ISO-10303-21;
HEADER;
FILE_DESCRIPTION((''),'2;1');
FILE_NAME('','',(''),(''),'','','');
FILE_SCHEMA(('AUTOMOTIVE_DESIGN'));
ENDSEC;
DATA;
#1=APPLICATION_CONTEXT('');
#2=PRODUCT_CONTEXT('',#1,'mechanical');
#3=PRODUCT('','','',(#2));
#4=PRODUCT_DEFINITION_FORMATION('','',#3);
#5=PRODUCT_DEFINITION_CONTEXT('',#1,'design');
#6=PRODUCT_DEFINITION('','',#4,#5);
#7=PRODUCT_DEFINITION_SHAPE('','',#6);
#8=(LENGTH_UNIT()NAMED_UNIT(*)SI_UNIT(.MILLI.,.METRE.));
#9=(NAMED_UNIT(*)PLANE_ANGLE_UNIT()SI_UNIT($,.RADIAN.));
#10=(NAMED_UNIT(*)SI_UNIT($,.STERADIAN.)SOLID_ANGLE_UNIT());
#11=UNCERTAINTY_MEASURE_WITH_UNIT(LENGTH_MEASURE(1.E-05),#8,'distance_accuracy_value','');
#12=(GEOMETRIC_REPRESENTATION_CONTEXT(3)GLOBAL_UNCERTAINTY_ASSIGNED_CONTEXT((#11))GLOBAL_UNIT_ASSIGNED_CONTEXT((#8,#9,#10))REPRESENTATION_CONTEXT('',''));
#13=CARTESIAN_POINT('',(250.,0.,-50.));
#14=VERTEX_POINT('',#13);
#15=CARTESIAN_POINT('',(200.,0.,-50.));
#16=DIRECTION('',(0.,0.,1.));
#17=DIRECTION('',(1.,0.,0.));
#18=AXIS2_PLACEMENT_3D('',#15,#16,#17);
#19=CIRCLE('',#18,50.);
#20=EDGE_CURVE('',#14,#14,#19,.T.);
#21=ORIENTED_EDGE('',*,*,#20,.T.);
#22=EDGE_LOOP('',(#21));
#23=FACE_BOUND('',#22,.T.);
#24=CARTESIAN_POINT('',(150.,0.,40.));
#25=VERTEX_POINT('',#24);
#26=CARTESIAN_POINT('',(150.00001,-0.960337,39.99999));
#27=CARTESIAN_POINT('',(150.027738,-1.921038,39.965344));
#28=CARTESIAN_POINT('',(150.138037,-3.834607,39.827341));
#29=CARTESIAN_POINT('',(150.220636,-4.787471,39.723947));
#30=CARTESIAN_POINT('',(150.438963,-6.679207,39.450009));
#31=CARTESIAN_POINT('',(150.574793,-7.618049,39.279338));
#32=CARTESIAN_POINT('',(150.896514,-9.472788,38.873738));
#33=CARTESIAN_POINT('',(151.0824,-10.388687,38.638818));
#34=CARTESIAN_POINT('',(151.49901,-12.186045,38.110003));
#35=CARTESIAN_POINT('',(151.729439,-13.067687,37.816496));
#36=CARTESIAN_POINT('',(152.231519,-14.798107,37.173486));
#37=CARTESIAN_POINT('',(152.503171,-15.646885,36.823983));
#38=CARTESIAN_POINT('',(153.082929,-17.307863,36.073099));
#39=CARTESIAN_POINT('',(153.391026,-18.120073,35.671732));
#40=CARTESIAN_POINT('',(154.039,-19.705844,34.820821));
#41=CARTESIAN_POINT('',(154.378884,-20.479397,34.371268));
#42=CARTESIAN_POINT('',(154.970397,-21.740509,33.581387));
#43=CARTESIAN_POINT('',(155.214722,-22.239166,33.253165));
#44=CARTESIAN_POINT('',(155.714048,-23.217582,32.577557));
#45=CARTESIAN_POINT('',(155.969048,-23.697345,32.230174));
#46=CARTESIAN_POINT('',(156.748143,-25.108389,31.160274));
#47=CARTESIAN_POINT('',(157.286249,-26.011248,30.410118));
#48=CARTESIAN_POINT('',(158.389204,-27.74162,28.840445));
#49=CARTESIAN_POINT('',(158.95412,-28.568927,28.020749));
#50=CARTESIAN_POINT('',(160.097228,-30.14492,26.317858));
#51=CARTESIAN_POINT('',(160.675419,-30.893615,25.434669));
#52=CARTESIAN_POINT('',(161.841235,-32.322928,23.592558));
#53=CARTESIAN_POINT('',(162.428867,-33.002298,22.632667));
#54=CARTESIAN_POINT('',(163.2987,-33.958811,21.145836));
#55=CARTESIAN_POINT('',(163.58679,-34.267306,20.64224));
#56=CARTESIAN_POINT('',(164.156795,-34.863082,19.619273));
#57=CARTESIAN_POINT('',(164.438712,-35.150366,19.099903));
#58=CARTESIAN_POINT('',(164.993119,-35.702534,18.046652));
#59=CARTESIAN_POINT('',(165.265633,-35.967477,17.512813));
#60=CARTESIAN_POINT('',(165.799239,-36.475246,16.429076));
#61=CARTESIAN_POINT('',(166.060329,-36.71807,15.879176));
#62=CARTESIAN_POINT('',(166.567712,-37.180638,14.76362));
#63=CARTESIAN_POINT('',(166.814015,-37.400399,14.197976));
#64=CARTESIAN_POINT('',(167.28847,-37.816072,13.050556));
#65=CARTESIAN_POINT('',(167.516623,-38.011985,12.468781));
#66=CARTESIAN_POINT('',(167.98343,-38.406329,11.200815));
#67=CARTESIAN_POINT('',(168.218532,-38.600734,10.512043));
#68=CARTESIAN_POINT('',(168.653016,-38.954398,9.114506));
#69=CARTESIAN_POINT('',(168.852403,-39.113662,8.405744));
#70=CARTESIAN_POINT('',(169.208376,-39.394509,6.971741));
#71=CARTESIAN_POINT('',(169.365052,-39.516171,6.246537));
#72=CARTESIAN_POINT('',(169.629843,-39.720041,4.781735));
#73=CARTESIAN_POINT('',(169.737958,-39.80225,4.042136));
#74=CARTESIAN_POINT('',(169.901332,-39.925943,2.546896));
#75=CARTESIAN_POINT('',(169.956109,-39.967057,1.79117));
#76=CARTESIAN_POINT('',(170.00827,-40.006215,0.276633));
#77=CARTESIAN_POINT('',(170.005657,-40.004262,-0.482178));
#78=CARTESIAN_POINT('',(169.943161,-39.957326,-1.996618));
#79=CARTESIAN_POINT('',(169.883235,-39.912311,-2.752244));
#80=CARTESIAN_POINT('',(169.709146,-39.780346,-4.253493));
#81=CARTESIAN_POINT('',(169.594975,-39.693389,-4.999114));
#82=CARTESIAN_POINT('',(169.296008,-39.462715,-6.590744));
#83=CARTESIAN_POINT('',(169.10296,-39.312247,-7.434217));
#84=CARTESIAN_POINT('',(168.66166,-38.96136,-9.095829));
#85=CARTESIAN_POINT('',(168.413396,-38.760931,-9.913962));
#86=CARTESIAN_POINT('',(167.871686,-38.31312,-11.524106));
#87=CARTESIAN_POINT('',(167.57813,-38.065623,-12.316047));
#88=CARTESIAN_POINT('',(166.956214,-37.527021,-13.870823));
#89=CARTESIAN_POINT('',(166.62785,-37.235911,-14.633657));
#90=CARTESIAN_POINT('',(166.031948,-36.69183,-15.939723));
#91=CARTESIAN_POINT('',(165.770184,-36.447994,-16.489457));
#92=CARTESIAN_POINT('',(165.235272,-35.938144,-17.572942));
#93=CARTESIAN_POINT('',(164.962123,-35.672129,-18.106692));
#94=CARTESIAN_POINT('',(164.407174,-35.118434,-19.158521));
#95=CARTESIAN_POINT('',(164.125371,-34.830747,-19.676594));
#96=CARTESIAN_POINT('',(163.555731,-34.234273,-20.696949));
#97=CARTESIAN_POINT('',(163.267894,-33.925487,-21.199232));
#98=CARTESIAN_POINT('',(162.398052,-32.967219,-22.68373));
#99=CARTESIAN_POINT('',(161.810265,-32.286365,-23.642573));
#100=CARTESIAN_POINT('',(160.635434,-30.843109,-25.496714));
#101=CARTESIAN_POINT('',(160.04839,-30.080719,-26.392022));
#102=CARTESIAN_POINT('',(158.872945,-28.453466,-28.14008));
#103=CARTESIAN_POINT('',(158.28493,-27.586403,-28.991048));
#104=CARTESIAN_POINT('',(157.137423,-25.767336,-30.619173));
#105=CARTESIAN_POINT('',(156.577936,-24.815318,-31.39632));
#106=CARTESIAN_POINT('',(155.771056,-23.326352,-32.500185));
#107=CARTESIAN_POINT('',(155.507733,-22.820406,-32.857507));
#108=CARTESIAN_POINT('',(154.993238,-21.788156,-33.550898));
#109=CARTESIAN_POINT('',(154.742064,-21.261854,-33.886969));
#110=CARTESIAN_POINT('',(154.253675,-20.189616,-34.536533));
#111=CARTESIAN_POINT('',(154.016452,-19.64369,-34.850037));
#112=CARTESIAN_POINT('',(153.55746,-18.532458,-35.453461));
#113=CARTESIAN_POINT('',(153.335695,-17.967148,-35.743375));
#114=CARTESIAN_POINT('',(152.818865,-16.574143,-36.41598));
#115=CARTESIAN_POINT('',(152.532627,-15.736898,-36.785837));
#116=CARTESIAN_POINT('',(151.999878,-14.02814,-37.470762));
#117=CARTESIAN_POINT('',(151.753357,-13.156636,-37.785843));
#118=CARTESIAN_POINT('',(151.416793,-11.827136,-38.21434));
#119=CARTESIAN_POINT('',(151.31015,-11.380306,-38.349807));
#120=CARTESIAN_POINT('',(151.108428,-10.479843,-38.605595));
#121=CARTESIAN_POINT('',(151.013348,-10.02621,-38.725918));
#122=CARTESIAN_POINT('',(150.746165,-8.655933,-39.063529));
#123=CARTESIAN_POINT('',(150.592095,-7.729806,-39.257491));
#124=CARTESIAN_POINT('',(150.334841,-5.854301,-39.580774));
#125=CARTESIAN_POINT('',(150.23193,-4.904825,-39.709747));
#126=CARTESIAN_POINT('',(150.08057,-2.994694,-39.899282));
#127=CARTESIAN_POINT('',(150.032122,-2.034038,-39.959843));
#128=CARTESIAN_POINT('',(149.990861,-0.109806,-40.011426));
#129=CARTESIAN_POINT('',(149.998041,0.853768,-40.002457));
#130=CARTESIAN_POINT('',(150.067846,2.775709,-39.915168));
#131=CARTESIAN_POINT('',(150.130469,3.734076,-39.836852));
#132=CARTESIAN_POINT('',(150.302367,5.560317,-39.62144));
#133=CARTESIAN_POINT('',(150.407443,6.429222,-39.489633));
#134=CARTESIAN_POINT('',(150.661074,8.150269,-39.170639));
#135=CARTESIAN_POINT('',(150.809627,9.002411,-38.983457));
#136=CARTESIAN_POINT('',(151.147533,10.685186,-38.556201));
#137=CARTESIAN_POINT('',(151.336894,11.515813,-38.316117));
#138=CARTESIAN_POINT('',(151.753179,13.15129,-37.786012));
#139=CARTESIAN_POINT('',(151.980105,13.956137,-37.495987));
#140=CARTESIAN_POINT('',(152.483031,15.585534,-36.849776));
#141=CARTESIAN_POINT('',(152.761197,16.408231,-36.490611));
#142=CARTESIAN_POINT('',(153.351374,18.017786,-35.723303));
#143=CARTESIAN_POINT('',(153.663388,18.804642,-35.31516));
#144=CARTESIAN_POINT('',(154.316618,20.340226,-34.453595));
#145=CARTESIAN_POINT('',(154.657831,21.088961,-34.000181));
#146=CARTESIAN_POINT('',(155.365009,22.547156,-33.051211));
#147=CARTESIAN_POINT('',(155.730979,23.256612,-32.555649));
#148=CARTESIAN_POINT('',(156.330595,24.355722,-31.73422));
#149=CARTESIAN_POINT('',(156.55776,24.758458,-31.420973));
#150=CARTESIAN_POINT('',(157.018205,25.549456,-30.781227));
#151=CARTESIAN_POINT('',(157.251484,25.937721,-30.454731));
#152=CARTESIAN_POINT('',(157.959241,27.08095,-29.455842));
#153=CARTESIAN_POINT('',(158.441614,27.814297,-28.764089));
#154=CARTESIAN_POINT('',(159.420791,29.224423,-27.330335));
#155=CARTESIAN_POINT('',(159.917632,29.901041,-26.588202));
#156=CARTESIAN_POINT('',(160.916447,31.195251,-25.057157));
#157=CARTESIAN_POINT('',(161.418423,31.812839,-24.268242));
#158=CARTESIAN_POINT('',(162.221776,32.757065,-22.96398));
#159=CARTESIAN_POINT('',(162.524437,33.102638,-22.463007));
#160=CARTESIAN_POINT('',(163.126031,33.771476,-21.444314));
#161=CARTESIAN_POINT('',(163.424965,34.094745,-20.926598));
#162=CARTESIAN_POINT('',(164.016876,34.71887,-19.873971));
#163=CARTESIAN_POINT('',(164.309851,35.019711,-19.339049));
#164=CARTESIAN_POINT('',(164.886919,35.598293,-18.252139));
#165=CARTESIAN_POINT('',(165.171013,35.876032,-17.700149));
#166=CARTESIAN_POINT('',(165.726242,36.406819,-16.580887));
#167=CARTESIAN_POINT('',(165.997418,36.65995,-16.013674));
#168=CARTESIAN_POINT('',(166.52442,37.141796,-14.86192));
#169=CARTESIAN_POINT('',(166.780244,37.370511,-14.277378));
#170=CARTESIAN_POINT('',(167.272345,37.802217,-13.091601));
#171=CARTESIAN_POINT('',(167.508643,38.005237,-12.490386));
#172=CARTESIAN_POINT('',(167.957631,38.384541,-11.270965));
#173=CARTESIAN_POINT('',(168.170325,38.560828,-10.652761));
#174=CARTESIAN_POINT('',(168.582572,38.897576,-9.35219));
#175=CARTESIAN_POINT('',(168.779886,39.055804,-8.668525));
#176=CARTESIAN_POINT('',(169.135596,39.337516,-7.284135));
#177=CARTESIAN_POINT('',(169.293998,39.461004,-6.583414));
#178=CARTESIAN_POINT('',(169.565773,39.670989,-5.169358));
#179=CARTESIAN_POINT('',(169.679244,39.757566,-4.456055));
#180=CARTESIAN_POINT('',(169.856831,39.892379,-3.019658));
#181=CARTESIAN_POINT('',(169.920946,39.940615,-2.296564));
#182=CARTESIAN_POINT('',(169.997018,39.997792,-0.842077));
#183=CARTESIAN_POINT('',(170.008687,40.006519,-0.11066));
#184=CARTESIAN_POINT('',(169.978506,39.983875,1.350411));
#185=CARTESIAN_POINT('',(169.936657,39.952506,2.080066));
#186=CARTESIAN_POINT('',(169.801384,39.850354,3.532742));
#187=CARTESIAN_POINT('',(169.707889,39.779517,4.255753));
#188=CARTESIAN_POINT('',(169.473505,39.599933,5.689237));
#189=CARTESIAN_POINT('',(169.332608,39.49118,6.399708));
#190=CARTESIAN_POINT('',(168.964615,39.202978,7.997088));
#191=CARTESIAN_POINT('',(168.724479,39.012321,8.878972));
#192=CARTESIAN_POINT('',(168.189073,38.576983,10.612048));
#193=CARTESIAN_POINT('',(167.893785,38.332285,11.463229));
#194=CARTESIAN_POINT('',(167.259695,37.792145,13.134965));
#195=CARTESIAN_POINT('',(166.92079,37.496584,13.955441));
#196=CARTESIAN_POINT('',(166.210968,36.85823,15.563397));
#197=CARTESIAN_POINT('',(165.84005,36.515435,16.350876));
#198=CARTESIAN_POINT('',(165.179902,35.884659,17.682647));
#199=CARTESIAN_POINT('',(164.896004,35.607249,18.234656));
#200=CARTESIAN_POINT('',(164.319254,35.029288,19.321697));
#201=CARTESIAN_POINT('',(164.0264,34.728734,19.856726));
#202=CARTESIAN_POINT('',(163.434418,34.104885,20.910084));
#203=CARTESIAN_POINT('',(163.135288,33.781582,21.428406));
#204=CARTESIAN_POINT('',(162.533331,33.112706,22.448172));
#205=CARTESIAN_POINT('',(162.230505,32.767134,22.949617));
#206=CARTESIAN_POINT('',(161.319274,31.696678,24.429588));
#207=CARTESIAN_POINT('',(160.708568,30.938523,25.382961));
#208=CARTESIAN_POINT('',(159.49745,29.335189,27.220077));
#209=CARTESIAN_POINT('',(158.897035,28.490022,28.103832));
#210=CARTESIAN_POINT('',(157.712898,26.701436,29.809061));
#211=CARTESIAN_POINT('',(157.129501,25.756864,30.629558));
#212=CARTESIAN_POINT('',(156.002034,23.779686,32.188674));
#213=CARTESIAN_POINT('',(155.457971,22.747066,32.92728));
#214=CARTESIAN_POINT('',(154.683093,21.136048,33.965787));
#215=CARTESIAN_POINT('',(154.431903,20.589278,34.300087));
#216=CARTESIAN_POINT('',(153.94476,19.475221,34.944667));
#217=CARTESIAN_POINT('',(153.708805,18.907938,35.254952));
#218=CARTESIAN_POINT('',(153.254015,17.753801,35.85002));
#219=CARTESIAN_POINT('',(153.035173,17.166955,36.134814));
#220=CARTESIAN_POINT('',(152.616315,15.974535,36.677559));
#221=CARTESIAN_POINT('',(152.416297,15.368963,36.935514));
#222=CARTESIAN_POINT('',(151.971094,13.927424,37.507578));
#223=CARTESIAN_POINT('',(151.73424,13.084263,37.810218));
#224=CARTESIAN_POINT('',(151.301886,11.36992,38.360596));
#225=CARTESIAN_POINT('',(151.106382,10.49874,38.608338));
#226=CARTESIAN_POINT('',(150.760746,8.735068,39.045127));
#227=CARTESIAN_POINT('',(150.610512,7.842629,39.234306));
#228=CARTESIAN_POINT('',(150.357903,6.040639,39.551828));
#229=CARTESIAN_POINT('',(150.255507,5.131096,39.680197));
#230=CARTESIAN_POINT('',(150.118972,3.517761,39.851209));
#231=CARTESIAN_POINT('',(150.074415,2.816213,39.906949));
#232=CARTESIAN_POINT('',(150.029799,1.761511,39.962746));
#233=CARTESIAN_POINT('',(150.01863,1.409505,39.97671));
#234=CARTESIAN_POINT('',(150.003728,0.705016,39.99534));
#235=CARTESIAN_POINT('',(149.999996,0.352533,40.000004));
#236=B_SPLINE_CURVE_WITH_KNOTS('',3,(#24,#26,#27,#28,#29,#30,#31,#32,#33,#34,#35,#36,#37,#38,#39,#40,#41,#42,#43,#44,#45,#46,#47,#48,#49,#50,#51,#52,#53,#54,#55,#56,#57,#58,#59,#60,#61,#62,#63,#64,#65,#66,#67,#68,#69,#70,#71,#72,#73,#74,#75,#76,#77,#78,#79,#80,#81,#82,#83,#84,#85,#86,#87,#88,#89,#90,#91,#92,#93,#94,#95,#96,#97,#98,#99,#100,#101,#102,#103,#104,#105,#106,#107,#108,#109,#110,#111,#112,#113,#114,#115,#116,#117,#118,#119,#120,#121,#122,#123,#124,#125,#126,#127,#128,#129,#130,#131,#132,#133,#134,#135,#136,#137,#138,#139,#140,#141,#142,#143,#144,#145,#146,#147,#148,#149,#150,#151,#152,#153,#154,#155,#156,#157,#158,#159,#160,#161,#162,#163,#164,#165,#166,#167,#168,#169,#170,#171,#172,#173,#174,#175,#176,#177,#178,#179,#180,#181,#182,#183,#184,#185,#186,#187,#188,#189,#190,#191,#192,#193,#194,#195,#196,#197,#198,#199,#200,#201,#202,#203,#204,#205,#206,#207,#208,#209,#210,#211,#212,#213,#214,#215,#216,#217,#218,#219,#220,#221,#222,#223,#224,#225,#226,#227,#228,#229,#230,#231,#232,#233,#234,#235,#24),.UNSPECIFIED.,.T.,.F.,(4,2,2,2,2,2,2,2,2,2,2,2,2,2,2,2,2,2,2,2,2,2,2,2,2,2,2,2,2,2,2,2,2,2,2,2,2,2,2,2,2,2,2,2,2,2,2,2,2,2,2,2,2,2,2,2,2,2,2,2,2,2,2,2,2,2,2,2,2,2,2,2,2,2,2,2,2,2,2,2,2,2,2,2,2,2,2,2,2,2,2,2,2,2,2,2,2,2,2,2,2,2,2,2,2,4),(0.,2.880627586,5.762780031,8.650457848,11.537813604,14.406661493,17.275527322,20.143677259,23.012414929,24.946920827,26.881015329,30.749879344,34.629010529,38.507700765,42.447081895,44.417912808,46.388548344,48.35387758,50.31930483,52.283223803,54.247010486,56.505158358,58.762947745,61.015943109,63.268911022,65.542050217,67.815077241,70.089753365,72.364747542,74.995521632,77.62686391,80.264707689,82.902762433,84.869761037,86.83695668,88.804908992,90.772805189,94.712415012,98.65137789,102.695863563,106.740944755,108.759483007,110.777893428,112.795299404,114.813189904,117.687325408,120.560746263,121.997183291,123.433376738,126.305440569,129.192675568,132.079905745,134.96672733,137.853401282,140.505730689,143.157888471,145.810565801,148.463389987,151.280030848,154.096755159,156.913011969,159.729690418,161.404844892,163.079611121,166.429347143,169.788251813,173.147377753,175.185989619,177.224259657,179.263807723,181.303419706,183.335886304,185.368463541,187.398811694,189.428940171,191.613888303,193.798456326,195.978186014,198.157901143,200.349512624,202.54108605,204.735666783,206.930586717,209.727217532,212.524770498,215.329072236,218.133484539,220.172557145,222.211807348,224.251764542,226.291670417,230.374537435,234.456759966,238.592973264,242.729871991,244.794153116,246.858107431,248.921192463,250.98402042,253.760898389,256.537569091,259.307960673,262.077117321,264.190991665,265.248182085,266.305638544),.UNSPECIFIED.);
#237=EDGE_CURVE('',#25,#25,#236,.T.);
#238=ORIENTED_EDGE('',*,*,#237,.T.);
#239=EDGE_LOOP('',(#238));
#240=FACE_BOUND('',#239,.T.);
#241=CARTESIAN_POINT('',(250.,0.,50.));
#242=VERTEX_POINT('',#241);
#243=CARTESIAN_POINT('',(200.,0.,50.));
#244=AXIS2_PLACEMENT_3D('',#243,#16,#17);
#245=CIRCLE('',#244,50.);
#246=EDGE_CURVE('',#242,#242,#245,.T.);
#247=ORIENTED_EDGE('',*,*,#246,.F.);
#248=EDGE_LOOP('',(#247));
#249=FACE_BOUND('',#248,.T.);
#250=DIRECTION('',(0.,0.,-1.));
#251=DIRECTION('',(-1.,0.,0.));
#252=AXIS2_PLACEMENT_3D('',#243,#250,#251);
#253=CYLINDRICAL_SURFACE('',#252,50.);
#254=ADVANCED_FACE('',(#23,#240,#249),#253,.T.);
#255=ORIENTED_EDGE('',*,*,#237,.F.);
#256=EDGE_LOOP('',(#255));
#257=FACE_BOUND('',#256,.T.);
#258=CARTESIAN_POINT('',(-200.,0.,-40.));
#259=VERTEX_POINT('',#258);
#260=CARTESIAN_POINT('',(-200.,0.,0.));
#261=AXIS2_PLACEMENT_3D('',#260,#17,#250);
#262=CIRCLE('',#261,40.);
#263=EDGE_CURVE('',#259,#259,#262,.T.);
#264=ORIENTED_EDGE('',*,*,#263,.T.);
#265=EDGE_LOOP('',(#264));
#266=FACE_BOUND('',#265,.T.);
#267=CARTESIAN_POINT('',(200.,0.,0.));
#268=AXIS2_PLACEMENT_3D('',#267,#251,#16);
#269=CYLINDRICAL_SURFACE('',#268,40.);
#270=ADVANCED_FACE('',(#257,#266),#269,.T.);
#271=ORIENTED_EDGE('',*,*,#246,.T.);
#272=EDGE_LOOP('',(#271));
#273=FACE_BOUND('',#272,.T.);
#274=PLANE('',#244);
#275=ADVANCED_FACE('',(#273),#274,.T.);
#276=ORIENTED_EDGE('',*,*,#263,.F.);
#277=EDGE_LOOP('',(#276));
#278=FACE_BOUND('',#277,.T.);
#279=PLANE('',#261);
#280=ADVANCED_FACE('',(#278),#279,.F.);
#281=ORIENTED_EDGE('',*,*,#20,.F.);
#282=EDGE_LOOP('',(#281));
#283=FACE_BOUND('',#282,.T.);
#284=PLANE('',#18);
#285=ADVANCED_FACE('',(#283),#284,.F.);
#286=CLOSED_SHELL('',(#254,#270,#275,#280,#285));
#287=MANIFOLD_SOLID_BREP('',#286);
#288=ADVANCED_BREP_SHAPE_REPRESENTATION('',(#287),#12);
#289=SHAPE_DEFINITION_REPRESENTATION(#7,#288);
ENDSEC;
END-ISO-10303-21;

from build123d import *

# Parameters (mm, degrees)
SKETCH_1_R      = 40
EXTRUDE_1_DEPTH = 200
SKETCH_2_R      = 50
EXTRUDE_2_DEPTH = 50


with BuildPart() as part:
    # 草图1 → 凸台-拉伸1 (new body, symmetric)
    with BuildSketch(Plane(origin=(0, 0, 0), x_dir=(0, 0, -1), z_dir=(1, 0, 0))):
        Circle(SKETCH_1_R)
    extrude(amount=EXTRUDE_1_DEPTH, both=True)

    # 草图2 → 凸台-拉伸2 (add, symmetric)
    with BuildSketch(Plane.XY):
        with Locations((200, 0)):
            Circle(SKETCH_2_R)
    extrude(amount=EXTRUDE_2_DEPTH, both=True)


solid = part.part
